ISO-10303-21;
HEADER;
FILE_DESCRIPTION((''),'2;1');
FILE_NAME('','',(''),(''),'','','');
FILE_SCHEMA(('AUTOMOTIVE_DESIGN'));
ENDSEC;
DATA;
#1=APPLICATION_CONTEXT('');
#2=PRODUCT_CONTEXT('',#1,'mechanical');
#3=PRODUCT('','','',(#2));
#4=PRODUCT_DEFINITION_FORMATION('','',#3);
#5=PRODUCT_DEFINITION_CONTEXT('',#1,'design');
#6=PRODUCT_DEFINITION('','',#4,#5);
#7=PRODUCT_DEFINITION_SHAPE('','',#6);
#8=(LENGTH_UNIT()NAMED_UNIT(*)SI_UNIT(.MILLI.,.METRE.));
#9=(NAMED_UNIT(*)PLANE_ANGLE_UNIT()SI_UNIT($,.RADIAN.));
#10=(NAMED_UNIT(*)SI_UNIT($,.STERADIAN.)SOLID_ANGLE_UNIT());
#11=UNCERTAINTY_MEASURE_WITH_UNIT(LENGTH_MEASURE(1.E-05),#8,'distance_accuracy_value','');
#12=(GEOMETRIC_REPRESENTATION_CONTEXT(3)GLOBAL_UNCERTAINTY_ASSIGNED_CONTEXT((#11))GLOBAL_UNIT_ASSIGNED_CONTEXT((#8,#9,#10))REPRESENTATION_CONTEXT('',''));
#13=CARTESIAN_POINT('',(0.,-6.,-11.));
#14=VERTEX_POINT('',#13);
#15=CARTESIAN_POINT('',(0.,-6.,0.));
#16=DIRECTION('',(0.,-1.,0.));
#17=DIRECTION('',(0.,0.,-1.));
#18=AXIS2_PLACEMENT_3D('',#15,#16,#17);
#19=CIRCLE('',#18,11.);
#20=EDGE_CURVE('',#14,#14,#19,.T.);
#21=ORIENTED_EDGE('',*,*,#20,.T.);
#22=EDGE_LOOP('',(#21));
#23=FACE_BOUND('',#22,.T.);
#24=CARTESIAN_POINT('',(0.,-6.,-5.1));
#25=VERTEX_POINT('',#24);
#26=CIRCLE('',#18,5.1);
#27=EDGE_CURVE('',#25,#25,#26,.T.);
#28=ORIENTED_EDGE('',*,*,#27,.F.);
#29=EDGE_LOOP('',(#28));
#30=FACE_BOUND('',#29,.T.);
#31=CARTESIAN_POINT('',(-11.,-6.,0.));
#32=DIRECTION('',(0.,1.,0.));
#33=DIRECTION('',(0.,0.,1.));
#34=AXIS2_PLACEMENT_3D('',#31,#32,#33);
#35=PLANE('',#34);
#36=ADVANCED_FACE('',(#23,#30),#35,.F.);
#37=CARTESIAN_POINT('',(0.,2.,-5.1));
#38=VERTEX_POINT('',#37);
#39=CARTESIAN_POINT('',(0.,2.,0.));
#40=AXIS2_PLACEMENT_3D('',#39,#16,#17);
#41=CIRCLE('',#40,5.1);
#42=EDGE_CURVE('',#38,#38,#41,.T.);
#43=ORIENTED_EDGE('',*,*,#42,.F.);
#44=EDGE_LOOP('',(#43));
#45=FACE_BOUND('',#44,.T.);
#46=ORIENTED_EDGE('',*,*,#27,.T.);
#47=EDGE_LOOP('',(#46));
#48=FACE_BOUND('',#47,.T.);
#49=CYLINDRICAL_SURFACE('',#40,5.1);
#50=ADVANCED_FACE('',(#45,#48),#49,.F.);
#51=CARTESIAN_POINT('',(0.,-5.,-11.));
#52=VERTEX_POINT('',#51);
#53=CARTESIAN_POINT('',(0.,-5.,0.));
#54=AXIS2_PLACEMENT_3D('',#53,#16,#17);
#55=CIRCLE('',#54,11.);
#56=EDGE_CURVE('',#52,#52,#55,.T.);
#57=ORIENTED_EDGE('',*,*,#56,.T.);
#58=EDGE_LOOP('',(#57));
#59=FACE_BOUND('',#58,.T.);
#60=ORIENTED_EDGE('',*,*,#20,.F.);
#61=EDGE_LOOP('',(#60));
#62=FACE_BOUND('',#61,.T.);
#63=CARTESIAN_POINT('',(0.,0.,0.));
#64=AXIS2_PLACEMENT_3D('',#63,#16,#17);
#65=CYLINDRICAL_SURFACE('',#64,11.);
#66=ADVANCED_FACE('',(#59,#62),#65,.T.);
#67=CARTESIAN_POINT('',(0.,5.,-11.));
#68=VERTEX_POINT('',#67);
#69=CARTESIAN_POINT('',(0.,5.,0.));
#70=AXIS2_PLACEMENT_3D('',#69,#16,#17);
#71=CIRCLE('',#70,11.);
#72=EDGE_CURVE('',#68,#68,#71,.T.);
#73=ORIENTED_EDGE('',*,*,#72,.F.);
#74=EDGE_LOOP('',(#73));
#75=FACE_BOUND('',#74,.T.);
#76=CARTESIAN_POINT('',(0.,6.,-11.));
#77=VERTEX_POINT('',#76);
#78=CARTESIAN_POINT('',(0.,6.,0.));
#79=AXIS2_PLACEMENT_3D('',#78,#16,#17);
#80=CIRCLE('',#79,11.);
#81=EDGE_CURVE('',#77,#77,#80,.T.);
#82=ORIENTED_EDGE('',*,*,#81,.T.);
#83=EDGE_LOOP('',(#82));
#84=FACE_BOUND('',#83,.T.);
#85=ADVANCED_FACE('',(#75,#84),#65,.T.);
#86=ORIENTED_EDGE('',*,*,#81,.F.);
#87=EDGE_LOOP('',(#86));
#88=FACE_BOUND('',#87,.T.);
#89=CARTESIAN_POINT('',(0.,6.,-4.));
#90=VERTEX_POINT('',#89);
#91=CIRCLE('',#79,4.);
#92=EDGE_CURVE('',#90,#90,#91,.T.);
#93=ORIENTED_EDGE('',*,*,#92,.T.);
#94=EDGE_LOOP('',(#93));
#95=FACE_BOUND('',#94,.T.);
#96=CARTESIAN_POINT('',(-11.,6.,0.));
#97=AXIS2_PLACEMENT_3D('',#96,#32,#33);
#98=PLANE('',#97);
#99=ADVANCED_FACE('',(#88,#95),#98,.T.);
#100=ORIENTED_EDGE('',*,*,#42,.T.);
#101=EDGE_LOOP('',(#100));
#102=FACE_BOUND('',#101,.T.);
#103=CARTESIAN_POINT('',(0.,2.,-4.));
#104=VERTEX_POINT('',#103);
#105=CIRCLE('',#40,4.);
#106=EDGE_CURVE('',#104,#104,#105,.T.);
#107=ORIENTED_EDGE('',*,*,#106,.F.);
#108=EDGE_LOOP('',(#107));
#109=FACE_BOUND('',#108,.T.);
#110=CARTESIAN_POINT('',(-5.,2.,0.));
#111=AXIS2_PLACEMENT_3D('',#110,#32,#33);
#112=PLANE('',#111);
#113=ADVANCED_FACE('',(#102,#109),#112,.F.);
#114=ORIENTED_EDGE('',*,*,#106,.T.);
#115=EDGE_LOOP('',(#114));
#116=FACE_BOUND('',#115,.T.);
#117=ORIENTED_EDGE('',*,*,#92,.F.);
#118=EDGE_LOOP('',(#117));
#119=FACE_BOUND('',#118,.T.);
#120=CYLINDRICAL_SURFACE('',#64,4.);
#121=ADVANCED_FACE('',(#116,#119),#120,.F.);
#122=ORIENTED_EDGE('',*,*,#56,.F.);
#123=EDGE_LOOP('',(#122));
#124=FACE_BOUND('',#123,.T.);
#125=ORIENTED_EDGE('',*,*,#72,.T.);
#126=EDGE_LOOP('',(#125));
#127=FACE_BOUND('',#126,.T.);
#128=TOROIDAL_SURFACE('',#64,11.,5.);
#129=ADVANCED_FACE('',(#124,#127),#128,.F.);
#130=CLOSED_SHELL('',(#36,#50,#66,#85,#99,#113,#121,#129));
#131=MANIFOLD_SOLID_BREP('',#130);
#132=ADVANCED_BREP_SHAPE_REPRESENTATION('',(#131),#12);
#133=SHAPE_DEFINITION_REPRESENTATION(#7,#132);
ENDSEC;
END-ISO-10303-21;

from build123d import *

# Parameters (mm, degrees)
SKETCH_9_W          = 1
SKETCH_9_H          = 4
SKETCH_10_R         = 5.1
CUT_EXTRUDE_2_DEPTH = 8


with BuildPart() as part:
    # 草图7 → 旋转1 (revolve)
    with BuildSketch(Plane.XY, mode=Mode.PRIVATE) as revolve_1_sk:
        with BuildLine():
            Line((-5, 5), (-5, -5))
            Line((-5, -5), (-5, -6))
            Line((-5, -6), (-11, -6))
            Line((-11, -6), (-11, -5))
            ThreePointArc((-11, -5), (-6, 0), (-11, 5))
            Line((-11, 5), (-11, 6))
            Line((-11, 6), (-5, 6))
            Line((-5, 6), (-5, 5))
        make_face()
    revolve(revolve_1_sk.sketch.rotate(Axis((0, 0, 0), (0, 1, 0)), 270), axis=Axis((0, 0, 0), (0, 1, 0)))

    # 草图9 → 旋转2 (revolve)
    with BuildSketch(Plane.XY, mode=Mode.PRIVATE) as revolve_2_sk:
        with Locations((-4.5, 4)):
            Rectangle(SKETCH_9_W, SKETCH_9_H)
        with Locations((-4.5, -4)):
            Rectangle(SKETCH_9_W, SKETCH_9_H)
    revolve(revolve_2_sk.sketch.rotate(Axis((0, 0, 0), (0, 1, 0)), 270), axis=Axis((0, 0, 0), (0, 1, 0)))

    # 草图10 → 切除-拉伸2 (cut)
    with BuildSketch(Plane.XZ.offset(6)):
        with Locations(Location((0, 0, 0), (0, 0, 270))):
            Circle(SKETCH_10_R)
    extrude(amount=-CUT_EXTRUDE_2_DEPTH, mode=Mode.SUBTRACT)


solid = part.part
